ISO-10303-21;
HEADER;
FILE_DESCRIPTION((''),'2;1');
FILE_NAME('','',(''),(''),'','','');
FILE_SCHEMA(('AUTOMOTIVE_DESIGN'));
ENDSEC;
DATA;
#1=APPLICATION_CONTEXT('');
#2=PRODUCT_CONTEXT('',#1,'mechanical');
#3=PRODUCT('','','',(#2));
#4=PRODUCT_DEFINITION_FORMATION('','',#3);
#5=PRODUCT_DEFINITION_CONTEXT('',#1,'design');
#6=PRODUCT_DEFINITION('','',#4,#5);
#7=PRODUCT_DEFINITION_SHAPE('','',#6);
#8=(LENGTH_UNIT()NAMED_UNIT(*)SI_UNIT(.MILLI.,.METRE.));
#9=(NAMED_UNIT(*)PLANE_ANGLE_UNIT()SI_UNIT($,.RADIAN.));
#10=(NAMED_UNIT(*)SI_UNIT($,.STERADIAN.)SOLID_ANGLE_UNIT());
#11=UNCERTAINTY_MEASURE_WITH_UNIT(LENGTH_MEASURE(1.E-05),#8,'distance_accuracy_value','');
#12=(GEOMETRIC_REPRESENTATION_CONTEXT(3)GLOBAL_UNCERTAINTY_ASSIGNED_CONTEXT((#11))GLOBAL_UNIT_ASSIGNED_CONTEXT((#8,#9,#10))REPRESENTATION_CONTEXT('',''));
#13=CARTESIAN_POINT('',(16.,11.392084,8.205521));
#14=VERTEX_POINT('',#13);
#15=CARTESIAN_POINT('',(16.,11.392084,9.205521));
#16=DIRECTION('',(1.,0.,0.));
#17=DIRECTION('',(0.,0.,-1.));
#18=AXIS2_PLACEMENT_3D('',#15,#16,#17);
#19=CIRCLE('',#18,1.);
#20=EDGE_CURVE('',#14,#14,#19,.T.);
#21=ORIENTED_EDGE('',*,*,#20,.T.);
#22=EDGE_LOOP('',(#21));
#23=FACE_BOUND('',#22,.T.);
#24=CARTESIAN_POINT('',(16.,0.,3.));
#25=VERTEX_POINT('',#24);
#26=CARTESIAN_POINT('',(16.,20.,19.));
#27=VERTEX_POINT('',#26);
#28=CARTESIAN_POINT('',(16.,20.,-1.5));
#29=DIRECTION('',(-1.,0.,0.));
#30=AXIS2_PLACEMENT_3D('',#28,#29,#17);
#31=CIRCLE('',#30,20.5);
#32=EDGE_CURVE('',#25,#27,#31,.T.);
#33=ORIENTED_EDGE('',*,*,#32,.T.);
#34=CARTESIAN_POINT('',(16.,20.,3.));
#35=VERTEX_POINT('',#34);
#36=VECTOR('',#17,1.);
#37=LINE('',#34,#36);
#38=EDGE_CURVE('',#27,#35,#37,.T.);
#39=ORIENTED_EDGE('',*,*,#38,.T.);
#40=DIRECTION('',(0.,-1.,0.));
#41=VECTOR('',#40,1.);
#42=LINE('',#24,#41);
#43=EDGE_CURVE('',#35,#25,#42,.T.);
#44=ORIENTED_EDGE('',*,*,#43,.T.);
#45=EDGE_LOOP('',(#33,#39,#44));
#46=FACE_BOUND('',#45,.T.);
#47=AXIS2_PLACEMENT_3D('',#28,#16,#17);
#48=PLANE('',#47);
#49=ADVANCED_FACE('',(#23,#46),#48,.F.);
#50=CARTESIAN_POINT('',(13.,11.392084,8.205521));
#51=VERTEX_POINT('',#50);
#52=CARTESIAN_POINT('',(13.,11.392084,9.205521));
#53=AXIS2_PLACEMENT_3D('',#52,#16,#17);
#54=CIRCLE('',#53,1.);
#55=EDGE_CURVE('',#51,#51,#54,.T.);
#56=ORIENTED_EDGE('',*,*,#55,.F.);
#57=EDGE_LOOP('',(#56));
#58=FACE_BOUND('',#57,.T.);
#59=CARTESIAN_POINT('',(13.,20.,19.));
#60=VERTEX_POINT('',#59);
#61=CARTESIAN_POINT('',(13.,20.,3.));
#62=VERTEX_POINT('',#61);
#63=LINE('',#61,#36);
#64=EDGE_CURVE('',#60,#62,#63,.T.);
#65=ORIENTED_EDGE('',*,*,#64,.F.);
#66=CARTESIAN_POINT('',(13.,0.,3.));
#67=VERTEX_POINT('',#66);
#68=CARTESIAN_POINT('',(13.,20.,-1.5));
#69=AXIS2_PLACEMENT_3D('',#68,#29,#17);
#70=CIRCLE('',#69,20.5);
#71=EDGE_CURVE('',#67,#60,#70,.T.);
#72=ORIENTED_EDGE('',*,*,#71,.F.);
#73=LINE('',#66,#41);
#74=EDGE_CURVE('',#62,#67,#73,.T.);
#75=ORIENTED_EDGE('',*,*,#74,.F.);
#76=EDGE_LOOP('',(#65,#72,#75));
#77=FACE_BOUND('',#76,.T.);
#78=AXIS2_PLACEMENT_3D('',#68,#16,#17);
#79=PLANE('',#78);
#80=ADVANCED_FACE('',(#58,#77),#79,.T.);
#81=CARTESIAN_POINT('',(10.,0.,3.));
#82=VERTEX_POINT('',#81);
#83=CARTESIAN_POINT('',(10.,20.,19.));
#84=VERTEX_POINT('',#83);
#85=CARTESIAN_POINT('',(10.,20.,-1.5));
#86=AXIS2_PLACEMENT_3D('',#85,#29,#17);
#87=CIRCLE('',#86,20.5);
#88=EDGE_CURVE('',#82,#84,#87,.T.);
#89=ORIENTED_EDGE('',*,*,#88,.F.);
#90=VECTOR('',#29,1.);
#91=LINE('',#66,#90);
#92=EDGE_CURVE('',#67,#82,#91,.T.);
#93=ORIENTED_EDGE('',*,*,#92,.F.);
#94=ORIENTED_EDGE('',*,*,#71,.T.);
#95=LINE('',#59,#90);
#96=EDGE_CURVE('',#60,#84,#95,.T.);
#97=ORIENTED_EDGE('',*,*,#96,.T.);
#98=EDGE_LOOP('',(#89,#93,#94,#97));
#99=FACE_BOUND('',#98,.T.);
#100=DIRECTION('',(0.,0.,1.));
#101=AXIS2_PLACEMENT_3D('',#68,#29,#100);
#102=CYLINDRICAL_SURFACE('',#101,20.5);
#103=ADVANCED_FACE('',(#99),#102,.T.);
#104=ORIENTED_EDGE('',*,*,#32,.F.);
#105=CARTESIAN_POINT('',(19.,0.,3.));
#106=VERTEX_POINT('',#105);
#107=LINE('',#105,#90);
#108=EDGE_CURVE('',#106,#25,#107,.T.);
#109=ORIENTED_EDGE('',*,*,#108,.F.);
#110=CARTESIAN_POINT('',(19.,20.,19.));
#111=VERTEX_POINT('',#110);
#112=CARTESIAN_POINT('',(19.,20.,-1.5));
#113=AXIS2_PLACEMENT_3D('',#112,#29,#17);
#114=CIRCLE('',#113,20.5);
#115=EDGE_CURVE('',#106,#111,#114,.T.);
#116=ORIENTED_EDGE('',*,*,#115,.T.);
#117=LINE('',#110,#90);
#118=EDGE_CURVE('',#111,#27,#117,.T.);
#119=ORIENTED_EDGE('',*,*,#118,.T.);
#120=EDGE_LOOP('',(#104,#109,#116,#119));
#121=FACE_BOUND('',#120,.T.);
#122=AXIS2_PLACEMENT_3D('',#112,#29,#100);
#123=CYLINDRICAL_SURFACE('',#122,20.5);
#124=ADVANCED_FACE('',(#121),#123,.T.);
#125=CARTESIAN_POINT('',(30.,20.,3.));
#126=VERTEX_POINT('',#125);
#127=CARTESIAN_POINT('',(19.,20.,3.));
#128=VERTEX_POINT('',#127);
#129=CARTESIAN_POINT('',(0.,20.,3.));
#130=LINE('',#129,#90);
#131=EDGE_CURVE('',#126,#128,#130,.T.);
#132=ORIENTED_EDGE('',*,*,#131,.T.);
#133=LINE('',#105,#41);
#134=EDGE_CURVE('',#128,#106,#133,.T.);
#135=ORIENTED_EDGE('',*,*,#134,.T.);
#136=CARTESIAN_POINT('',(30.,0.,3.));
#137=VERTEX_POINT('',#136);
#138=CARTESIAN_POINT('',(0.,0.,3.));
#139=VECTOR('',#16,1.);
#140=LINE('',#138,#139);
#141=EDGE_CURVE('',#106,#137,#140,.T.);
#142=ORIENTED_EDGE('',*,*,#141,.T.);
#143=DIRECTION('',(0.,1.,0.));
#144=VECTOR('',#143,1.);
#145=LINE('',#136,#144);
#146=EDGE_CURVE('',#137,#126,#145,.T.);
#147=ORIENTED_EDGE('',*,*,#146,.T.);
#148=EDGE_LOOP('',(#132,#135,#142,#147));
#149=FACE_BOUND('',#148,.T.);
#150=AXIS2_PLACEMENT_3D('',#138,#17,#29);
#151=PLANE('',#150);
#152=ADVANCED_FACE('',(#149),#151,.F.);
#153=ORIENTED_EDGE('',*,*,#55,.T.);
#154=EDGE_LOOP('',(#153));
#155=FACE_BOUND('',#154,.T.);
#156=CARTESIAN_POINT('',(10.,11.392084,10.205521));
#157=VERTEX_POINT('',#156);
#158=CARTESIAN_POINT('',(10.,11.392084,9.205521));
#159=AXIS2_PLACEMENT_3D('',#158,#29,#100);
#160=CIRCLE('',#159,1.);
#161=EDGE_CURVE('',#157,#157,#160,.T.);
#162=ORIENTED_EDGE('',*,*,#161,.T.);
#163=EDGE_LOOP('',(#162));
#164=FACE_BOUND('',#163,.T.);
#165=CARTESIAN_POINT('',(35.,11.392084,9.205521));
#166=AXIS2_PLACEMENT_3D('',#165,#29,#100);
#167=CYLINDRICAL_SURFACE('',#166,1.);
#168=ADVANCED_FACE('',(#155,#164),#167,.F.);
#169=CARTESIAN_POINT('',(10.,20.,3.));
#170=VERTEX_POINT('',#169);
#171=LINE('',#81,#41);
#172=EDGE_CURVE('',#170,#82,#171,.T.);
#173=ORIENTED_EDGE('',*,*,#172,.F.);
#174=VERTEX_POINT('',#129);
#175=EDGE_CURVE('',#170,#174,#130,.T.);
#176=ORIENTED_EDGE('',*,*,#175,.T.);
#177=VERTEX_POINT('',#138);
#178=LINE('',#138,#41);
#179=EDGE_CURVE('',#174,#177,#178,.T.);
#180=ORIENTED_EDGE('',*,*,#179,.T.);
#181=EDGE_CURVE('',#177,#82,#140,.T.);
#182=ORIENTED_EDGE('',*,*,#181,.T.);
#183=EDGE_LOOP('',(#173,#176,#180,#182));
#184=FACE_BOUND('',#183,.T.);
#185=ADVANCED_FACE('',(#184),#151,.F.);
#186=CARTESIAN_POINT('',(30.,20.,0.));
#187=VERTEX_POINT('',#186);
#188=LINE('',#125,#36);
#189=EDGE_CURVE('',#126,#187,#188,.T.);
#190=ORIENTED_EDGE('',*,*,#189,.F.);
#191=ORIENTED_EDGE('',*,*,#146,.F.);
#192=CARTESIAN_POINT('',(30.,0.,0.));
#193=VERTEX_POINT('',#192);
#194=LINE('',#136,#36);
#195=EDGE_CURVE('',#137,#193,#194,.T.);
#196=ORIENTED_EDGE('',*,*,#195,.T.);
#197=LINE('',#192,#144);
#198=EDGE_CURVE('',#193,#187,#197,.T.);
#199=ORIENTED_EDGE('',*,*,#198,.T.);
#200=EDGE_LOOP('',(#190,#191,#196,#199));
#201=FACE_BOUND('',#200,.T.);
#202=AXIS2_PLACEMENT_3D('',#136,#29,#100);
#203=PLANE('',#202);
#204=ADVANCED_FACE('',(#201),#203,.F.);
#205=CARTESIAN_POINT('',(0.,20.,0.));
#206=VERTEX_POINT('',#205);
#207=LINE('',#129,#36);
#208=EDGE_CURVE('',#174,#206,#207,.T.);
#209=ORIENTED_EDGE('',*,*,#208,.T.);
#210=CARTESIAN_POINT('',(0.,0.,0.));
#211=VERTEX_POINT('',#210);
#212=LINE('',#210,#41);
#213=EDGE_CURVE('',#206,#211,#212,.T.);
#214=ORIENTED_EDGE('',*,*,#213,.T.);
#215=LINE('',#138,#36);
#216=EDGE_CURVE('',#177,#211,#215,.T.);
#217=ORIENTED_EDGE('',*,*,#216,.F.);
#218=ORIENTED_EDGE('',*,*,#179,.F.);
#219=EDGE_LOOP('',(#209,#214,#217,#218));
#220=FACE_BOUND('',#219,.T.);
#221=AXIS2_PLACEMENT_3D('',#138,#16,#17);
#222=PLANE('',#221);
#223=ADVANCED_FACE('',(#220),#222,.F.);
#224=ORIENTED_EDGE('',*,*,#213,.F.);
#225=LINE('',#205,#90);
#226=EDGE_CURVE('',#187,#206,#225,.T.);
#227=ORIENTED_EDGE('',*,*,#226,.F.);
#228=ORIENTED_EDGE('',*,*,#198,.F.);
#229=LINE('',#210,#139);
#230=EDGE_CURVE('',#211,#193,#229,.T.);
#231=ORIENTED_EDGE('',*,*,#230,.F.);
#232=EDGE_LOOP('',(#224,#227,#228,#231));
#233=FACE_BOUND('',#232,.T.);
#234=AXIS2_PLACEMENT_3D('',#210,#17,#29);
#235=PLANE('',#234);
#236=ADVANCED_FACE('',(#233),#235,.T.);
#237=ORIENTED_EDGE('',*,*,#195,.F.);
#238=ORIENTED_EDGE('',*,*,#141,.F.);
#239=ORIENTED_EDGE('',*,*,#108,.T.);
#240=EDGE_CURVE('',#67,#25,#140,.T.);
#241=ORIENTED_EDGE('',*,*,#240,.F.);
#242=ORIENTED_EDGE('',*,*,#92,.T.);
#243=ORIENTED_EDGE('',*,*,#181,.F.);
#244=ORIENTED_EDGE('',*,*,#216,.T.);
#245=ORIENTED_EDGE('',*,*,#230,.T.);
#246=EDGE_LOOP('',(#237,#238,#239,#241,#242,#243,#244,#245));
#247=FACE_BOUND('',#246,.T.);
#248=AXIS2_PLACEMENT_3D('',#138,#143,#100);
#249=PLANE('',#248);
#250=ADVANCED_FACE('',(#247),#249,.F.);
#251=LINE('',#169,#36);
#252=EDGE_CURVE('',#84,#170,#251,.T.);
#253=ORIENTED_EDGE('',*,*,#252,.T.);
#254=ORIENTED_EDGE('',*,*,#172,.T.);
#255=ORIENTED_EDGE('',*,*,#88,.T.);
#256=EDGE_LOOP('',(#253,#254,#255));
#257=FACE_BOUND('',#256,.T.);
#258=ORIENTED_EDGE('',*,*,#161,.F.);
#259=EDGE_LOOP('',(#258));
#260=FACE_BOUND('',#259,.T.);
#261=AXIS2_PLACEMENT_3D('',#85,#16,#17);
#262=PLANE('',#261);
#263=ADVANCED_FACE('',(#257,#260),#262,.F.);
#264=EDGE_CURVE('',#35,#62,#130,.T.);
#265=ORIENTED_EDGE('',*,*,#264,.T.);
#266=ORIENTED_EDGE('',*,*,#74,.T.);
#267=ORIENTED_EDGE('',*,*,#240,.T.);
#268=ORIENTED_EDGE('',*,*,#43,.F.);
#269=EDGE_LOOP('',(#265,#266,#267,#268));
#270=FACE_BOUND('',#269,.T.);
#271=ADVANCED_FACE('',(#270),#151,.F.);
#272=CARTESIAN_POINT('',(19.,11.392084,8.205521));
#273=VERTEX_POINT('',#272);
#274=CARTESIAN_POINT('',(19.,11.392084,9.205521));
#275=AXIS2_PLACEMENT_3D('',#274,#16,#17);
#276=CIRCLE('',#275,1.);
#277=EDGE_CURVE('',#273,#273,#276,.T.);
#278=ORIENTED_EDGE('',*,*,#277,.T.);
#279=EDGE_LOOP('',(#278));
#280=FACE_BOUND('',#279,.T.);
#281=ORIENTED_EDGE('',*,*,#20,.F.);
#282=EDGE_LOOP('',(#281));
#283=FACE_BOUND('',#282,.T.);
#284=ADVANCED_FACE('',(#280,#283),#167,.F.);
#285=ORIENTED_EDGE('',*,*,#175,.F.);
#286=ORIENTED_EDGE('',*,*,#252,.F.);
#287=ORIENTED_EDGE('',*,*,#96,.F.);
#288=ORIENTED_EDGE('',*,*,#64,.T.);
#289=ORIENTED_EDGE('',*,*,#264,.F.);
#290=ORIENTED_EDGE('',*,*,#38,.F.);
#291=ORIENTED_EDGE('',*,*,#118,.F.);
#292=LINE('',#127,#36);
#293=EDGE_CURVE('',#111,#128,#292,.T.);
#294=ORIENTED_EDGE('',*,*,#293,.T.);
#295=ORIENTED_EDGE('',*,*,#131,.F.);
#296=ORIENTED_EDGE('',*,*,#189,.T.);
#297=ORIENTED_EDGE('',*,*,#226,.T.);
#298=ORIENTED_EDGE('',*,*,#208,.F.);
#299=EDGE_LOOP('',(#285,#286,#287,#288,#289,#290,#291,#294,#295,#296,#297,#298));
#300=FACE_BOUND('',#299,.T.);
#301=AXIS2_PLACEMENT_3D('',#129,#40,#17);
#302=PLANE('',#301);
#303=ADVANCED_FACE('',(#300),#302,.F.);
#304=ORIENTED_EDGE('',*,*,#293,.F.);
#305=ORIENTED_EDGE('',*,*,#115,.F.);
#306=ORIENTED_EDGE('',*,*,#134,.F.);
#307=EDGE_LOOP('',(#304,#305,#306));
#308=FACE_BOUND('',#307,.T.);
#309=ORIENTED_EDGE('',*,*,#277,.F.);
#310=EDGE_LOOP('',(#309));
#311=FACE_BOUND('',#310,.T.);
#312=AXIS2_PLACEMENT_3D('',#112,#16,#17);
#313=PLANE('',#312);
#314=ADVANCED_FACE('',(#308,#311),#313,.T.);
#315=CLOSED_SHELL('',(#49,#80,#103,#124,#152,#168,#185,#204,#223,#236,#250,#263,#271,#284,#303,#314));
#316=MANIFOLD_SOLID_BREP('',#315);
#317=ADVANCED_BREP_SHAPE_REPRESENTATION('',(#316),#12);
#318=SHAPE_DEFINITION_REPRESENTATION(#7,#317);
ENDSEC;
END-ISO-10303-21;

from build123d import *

# Parameters (mm, degrees)
IZIM1_W                     = 30
IZIM1_H                     = 20
Y_KSEKLIK_EKSTR_ZYON1_DEPTH = 3
Y_KSEKLIK_EKSTR_ZYON2_START = -10
Y_KSEKLIK_EKSTR_ZYON2_DEPTH = 3
Y_KSEKLIK_EKSTR_ZYON3_START = -16
Y_KSEKLIK_EKSTR_ZYON3_DEPTH = 3
IZIM3_R                     = 1
KES_EKSTR_ZYON1_DEPTH       = 25


with BuildPart() as part:
    # Çizim1 → Yükseklik-Ekstrüzyon1 (new body)
    with BuildSketch(Plane.XY):
        with Locations((15, 10)):
            Rectangle(IZIM1_W, IZIM1_H)
    extrude(amount=Y_KSEKLIK_EKSTR_ZYON1_DEPTH)

    # Çizim2 → Yükseklik-Ekstrüzyon2 (add)
    with BuildSketch(Plane.ZY.offset(Y_KSEKLIK_EKSTR_ZYON2_START)):
        with BuildLine():
            Line((3, 0), (3, 20))
            Line((3, 20), (19, 20))
            ThreePointArc((19, 20), (14.507810594, 7.193751525), (3, 0))
        make_face()
    extrude(amount=-Y_KSEKLIK_EKSTR_ZYON2_DEPTH)

    # Çizim2<2> → Yükseklik-Ekstrüzyon3 (add)
    with BuildSketch(Plane.ZY.offset(Y_KSEKLIK_EKSTR_ZYON3_START)):
        with BuildLine():
            Line((3, 0), (3, 20))
            Line((3, 20), (19, 20))
            ThreePointArc((19, 20), (14.507810594, 7.193751525), (3, 0))
        make_face()
    extrude(amount=-Y_KSEKLIK_EKSTR_ZYON3_DEPTH)

    # Çizim3 → Kes-Ekstrüzyon1 (cut)
    with BuildSketch(Plane.ZY.offset(-10)):
        with Locations((9.205520774, 11.392083612)):
            Circle(IZIM3_R)
    extrude(amount=-KES_EKSTR_ZYON1_DEPTH, mode=Mode.SUBTRACT)


solid = part.part
